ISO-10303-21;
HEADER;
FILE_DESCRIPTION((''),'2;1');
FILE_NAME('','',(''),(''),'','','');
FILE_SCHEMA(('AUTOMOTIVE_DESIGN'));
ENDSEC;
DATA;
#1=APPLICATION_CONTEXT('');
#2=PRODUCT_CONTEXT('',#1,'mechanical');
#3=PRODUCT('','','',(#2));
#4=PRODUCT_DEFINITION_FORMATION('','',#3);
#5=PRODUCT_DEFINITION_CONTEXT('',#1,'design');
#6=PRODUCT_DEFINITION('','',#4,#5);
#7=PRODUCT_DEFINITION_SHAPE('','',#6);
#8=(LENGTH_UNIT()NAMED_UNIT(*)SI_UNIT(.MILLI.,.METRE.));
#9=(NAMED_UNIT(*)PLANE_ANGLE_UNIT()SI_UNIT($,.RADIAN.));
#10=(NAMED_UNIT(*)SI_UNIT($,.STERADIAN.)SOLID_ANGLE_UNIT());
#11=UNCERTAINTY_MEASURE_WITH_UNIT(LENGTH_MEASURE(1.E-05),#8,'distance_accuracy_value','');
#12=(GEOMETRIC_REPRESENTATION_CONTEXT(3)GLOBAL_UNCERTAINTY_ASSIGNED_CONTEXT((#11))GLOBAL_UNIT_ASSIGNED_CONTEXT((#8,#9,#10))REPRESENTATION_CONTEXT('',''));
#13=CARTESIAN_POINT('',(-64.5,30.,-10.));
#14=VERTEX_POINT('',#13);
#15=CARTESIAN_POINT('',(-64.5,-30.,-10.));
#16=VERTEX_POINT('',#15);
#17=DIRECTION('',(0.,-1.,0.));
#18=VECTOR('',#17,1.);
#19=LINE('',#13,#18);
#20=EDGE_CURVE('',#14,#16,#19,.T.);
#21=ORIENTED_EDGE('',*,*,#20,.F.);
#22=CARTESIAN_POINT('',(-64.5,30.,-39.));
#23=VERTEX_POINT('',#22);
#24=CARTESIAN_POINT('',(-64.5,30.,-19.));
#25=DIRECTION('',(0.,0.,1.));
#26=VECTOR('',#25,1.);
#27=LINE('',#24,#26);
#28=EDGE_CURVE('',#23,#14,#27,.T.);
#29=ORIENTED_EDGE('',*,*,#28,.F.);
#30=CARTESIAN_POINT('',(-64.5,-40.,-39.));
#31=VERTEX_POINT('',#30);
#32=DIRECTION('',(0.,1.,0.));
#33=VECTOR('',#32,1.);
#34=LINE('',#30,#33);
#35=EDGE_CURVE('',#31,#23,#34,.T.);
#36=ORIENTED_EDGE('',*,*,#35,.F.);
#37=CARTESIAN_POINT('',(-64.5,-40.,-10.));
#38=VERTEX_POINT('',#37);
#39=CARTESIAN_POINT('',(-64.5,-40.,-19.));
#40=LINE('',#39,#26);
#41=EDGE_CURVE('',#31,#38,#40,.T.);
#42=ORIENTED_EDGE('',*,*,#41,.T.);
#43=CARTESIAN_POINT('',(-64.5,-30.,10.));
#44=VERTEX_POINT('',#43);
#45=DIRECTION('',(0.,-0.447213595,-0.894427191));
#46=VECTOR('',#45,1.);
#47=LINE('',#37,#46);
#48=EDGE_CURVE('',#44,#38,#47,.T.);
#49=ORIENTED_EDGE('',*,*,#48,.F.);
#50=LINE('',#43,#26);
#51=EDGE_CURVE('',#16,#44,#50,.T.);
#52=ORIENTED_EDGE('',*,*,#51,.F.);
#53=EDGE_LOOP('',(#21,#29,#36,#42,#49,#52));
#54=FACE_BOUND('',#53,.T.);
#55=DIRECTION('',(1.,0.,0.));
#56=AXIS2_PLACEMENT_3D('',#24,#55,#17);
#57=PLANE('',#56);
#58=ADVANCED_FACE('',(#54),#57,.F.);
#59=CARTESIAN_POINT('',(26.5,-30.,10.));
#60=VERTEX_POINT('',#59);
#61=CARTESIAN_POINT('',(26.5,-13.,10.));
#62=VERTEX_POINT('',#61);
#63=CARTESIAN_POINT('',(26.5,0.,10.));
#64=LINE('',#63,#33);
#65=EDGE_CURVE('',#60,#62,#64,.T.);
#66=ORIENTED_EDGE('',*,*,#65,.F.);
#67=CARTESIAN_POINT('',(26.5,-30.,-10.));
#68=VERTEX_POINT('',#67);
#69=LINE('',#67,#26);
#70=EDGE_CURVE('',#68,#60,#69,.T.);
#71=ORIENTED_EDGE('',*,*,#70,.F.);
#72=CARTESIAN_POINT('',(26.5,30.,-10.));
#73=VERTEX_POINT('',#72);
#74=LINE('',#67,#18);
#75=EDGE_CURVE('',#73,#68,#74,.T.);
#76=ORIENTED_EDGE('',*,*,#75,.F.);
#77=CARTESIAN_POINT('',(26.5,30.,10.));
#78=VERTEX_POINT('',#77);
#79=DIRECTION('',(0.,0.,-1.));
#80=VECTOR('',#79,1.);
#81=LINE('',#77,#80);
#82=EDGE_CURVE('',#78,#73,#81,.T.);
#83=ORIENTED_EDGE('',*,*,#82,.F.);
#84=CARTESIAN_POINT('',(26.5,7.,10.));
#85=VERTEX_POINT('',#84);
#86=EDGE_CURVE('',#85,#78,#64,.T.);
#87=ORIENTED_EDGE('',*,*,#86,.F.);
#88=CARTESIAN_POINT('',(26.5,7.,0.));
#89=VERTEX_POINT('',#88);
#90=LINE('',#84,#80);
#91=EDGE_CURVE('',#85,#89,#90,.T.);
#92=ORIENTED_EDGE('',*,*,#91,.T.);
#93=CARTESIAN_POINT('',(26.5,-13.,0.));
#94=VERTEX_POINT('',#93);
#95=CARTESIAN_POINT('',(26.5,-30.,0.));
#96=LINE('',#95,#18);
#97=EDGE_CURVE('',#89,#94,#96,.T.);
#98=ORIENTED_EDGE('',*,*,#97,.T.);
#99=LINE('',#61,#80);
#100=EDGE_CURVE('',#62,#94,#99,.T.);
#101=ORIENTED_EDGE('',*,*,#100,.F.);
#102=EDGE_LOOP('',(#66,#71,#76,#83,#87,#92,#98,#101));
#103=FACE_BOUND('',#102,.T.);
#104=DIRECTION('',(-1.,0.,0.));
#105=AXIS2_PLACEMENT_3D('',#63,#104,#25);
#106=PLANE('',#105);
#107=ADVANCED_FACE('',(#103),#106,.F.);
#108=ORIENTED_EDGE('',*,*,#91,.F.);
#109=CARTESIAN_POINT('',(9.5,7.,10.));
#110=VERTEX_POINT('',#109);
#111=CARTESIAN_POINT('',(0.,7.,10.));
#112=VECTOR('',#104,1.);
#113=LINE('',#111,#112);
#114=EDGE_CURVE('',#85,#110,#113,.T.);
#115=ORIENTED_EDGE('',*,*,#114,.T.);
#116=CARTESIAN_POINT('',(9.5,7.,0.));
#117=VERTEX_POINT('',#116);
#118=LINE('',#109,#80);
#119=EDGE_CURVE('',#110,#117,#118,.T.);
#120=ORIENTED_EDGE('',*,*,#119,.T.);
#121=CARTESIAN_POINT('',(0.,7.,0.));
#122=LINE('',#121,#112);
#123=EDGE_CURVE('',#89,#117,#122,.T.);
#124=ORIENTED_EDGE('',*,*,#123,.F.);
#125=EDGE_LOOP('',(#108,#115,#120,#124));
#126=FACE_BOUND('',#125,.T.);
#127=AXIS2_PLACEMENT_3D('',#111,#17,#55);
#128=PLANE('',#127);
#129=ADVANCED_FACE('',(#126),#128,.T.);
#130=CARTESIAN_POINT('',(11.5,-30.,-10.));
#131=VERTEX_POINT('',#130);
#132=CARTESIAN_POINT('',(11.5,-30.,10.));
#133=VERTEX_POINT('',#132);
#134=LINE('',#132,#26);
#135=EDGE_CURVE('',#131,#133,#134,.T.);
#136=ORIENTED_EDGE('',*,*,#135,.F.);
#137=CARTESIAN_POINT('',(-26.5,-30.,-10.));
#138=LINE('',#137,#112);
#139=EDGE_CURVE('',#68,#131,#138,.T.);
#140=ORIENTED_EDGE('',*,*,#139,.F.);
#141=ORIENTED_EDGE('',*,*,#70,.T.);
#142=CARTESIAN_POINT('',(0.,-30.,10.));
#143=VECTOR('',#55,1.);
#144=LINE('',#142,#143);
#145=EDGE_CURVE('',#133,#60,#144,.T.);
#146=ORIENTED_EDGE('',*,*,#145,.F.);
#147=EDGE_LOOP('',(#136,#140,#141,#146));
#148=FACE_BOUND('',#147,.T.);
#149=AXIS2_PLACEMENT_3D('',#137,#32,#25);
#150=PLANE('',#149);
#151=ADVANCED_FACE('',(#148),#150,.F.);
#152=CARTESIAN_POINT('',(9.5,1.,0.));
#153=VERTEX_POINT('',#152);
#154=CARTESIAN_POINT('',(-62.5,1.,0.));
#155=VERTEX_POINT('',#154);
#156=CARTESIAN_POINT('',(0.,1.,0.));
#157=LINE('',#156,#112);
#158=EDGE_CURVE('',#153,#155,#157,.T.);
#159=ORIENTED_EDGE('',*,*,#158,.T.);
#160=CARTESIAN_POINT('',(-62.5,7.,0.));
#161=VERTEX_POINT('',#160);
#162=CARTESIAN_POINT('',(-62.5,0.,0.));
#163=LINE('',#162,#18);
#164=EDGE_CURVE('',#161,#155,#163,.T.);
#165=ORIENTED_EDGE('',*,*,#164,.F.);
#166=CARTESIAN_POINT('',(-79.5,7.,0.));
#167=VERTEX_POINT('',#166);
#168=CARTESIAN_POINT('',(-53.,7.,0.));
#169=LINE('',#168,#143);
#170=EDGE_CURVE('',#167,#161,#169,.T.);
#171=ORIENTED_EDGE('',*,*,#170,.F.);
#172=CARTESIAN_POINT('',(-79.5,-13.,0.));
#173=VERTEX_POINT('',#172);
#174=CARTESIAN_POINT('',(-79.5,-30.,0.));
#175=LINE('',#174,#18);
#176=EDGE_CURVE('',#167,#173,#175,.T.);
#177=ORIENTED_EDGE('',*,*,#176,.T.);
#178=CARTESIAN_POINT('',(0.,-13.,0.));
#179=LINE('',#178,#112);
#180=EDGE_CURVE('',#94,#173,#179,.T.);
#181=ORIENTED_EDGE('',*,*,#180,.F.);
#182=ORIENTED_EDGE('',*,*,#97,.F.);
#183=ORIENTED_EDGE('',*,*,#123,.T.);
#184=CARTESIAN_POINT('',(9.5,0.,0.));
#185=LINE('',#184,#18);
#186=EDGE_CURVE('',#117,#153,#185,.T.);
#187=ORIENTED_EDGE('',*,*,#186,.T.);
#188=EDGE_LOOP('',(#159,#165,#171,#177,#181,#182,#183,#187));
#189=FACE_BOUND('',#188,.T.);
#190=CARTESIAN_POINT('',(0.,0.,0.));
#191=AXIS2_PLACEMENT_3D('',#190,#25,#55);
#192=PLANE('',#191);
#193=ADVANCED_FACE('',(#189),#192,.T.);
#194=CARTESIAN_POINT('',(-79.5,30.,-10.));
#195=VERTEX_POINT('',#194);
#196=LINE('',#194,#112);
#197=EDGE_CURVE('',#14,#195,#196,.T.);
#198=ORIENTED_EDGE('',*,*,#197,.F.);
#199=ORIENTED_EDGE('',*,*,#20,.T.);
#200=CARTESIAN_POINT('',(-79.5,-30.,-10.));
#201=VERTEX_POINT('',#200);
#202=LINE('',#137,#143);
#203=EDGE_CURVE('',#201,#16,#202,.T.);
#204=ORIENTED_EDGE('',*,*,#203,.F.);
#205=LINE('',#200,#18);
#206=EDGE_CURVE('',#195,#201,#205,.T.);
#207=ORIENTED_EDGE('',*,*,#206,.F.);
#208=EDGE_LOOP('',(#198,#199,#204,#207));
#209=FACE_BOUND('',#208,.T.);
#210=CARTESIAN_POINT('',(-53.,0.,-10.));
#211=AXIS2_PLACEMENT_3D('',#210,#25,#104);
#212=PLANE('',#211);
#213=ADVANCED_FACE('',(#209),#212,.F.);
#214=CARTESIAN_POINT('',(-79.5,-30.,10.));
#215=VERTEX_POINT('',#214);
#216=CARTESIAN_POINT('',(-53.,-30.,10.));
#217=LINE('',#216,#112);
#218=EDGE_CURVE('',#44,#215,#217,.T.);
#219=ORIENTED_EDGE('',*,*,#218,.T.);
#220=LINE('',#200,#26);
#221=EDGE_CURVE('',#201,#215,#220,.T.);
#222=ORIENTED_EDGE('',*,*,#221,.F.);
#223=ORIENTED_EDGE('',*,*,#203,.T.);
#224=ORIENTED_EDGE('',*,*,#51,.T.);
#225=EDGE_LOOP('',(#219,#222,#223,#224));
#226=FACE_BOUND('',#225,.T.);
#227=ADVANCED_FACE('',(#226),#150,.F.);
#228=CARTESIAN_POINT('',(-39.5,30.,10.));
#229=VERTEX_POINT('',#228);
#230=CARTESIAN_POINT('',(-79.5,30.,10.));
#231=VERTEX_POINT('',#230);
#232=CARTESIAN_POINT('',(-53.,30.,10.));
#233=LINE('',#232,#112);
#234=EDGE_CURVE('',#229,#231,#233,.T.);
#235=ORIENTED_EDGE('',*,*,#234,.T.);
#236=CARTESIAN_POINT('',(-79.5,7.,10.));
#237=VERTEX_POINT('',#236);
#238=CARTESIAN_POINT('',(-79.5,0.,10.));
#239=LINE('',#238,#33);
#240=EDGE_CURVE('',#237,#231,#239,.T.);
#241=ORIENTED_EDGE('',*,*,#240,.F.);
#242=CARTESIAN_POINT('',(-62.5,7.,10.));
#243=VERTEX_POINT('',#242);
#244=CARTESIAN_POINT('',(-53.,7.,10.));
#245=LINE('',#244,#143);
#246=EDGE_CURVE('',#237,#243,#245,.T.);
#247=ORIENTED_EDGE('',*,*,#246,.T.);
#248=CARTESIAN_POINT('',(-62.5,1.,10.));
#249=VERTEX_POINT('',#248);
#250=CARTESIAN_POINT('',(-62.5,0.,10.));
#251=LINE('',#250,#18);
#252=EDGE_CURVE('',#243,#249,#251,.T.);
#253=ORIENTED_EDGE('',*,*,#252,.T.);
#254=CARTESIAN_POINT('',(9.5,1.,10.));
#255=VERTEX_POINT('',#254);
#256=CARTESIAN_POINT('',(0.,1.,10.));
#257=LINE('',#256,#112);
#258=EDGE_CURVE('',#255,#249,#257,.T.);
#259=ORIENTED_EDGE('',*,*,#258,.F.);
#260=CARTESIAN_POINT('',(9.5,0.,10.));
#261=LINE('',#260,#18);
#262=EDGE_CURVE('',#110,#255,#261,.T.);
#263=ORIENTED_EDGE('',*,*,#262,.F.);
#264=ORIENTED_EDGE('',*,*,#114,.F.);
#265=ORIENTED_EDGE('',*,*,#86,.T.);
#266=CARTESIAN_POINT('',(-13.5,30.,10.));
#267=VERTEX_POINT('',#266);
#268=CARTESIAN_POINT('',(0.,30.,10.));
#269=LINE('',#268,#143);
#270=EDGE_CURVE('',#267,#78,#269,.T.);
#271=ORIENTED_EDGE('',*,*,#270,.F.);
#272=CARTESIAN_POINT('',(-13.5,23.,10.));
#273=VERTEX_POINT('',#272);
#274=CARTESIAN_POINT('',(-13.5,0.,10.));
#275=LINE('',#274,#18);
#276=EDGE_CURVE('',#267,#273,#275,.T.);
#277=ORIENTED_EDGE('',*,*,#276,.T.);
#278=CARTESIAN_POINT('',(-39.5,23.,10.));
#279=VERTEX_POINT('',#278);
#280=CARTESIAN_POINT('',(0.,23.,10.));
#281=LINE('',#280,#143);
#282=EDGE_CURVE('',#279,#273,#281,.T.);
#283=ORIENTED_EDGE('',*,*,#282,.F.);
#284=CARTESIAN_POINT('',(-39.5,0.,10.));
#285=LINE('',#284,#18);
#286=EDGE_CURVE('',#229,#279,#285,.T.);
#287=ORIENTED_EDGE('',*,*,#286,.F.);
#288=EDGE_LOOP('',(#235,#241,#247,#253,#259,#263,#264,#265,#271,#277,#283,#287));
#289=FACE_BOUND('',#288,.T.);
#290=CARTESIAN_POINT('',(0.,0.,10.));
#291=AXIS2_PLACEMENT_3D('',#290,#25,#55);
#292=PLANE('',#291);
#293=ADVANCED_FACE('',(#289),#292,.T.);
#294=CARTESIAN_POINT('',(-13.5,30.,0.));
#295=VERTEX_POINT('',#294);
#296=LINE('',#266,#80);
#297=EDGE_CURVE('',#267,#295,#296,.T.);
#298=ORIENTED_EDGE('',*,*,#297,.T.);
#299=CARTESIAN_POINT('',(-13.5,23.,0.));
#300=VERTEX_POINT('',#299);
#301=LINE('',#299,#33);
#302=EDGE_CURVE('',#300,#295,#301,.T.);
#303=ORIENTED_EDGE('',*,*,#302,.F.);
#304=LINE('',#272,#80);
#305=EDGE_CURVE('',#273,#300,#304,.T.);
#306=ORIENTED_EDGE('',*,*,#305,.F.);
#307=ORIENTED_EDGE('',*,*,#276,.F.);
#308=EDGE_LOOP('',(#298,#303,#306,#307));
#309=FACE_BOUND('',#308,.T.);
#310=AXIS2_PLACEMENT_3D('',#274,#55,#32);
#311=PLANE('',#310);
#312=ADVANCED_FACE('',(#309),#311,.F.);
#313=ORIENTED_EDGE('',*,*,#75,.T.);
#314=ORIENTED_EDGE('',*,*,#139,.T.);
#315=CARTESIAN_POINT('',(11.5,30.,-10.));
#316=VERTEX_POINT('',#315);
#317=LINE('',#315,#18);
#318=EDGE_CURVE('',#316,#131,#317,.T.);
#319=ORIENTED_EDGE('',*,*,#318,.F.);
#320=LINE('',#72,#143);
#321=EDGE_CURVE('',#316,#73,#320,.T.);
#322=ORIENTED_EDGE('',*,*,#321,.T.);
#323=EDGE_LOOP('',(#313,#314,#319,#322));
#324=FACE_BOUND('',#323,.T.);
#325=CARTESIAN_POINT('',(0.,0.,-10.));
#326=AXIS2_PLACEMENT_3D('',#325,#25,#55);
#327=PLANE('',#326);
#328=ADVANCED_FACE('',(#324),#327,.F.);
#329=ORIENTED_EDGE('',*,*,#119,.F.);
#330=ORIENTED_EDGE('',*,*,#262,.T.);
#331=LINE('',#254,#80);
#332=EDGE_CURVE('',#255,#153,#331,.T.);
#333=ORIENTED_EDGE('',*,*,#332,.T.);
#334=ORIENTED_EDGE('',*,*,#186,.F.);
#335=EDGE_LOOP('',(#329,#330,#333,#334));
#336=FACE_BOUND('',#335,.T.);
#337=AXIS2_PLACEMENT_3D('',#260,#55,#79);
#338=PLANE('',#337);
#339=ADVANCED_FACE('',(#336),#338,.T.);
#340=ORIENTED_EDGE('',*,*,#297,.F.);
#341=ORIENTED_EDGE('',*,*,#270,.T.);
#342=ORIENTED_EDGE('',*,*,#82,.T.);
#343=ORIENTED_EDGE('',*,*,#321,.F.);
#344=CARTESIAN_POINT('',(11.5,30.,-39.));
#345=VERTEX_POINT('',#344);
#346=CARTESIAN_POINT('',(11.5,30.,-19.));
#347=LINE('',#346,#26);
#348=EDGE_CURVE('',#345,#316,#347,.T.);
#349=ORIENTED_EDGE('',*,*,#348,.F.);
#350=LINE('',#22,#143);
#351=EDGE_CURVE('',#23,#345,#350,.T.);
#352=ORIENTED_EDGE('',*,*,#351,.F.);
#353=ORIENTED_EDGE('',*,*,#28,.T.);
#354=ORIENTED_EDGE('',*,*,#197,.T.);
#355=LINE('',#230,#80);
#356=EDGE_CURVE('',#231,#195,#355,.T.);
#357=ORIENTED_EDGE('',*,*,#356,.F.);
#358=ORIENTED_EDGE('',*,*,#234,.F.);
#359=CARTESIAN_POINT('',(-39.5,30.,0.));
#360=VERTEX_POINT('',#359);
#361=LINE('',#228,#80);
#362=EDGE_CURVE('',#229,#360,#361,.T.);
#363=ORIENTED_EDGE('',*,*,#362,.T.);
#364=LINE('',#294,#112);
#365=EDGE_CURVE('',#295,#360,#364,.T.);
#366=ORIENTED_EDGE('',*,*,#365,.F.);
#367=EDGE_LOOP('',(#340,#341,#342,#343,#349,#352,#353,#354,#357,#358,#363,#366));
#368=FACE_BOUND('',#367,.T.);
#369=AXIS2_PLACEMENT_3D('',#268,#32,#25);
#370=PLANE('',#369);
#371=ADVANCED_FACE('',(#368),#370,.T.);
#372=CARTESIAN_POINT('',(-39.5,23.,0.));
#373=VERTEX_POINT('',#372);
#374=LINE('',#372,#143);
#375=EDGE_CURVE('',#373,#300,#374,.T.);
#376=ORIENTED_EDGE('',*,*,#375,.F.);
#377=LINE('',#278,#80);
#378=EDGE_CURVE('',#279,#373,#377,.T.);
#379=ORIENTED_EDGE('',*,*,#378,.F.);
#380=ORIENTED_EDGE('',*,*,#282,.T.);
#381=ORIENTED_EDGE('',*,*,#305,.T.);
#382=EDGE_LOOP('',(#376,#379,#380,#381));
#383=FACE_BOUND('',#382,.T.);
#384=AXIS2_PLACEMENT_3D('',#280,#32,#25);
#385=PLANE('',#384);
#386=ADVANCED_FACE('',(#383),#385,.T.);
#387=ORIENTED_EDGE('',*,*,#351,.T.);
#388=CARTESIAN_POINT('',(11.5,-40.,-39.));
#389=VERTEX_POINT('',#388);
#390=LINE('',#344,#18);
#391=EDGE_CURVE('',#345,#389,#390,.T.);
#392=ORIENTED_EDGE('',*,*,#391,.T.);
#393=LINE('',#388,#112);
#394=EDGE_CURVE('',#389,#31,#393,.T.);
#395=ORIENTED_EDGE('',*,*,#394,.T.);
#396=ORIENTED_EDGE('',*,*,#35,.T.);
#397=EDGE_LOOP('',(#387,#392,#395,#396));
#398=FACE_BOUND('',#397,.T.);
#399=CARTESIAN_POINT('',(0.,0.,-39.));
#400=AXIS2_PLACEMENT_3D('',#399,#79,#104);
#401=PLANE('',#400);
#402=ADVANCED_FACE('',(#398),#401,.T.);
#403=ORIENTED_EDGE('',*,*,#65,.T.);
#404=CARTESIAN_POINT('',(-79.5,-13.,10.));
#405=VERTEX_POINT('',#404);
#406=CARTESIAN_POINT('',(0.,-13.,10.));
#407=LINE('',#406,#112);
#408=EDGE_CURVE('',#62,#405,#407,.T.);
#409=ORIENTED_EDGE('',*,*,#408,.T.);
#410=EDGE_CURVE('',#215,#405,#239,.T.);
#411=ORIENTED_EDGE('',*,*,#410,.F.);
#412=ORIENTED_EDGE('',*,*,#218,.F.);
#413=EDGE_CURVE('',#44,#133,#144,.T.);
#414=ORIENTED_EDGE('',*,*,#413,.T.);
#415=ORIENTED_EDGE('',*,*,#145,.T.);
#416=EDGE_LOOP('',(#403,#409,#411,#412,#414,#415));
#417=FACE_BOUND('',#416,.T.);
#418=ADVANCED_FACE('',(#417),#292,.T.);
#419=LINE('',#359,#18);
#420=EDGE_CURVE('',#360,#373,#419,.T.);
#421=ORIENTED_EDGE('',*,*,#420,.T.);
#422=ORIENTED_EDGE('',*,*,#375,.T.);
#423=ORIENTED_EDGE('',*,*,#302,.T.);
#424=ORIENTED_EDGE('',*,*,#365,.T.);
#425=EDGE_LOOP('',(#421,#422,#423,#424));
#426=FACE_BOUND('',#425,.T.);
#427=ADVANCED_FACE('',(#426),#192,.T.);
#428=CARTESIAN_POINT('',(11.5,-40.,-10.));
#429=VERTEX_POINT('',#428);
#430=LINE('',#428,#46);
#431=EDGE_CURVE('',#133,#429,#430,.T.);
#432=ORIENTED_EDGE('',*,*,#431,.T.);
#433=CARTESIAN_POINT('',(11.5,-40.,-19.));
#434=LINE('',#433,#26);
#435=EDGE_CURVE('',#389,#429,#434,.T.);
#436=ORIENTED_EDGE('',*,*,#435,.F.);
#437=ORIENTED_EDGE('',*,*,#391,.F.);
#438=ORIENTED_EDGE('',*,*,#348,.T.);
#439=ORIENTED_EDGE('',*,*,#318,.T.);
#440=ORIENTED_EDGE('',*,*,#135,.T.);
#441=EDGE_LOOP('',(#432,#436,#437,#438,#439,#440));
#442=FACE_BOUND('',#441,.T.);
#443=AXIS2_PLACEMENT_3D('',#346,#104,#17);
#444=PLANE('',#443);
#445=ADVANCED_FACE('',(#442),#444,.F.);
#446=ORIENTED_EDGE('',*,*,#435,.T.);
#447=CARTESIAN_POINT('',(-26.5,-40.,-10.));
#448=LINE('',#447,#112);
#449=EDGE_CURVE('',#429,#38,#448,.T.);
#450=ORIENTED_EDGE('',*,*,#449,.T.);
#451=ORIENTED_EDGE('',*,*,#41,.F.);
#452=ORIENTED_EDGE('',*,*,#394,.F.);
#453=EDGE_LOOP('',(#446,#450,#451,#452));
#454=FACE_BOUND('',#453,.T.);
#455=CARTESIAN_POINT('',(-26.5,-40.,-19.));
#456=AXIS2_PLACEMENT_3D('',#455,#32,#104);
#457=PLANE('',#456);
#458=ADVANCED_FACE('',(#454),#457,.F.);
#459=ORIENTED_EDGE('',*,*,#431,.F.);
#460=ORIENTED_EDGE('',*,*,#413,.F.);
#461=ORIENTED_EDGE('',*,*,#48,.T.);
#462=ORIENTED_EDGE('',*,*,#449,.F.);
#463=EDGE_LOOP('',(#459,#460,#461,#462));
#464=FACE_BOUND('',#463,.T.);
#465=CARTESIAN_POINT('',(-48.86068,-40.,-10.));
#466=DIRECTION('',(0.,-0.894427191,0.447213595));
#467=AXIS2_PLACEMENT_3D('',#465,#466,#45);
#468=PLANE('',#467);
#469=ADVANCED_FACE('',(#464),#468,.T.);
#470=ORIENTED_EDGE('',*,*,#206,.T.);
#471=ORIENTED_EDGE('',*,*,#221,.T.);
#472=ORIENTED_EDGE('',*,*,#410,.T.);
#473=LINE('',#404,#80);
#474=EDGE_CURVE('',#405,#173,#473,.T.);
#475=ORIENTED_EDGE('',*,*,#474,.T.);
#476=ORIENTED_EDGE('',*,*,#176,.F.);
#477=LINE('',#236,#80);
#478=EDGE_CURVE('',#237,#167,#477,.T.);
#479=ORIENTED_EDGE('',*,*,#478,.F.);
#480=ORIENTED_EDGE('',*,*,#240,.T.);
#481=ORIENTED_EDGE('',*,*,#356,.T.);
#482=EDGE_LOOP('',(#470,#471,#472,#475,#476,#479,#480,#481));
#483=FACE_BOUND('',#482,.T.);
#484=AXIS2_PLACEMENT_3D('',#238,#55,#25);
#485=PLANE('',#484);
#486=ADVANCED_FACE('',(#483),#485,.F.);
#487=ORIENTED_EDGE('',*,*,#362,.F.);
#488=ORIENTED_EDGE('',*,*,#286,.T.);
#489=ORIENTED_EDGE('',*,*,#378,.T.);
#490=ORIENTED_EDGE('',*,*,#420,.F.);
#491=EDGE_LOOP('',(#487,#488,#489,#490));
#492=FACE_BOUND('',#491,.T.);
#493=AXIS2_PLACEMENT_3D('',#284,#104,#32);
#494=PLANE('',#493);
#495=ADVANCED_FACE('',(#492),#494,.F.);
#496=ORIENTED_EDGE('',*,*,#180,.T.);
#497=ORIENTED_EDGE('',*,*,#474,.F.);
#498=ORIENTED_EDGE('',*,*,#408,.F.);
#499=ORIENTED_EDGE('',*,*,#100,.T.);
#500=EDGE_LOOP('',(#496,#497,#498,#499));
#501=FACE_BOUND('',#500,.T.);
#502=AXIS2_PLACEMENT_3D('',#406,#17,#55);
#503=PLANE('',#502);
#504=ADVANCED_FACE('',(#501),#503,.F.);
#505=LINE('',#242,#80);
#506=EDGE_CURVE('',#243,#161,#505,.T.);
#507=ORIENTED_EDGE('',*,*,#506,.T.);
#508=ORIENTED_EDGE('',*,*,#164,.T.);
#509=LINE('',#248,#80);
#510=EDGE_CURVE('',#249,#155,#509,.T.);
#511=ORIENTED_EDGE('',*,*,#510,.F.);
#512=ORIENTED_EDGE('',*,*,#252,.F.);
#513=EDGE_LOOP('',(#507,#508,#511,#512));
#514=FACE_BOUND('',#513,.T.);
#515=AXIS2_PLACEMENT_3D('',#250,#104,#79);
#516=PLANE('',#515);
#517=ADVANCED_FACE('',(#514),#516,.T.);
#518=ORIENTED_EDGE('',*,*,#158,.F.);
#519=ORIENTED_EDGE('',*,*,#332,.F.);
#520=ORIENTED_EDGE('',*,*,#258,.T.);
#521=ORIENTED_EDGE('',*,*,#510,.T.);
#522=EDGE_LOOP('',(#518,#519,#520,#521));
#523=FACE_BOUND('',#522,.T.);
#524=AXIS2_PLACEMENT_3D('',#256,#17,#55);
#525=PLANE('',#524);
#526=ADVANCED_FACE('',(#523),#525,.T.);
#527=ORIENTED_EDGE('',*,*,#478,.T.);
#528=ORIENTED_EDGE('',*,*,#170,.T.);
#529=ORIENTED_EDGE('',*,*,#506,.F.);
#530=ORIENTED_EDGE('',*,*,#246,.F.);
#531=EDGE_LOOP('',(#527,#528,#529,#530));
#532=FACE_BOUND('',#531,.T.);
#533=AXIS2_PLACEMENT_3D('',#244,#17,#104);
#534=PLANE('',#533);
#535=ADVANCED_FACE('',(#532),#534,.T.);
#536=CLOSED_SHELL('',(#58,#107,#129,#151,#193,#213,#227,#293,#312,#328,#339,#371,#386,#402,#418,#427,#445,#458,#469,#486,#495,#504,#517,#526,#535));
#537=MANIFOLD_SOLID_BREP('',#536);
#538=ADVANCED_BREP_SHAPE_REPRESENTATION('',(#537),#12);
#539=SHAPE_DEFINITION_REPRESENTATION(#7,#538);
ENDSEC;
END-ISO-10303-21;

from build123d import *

# Parameters (mm, degrees)
EXTRUDE_1_DEPTH   = 10
EXTRUDE_1_2_DEPTH = 10
EXTRUDE_2_DEPTH   = 10
SKETCH_3_W        = 38
SKETCH_3_H        = 70
EXTRUDE_3_DEPTH   = 9
EXTRUDE_4_DEPTH   = 38
SKETCH_5_W        = 26
SKETCH_5_H        = 7
EXTRUDE_5_DEPTH   = 10
SKETCH_6_W        = 76
SKETCH_6_H        = 70
EXTRUDE_6_DEPTH   = 20


with BuildPart() as part:
    # Эскиз1 → Бобышка-Вытянуть1 (new body)
    with BuildSketch(Plane.XY):
        Polygon((-26.5, 23), (-26.5, 1), (9.5, 1), (9.5, 7), (26.5, 7), (26.5, 30), (-13.5, 30), (-13.5, 23), align=None)
    extrude(amount=EXTRUDE_1_DEPTH)



with BuildPart() as body_2:
    # Эскиз1 → Extrude 1 2 (new body)
    with BuildSketch(Plane.XY):
        Polygon((-26.5, -13), (-26.5, -30), (26.5, -30), (26.5, -13), (9.5, -13), align=None)
    extrude(amount=EXTRUDE_1_2_DEPTH)


with BuildPart() as part_1:
    add(part.part)

    add(body_2.part)  # Бобышка-Вытянуть2 merges body 2
    # Эскиз2 → Бобышка-Вытянуть2 (add)
    with BuildSketch(Plane(origin=(0, 0, 0), x_dir=(-1, 0, 0), z_dir=(0, 0, -1))):
        Polygon((-26.5, -30), (-26.5, 30), (13.5, 30), (13.5, 23), (26.5, 23), (26.5, -30), align=None)
    extrude(amount=EXTRUDE_2_DEPTH)

    # Эскиз3 → Бобышка-Вытянуть3 (add)
    with BuildSketch(Plane(origin=(0, 0, -10), x_dir=(-1, 0, 0), z_dir=(0, 0, -1))):
        with Locations((7.5, -5)):
            Rectangle(SKETCH_3_W, SKETCH_3_H)
    extrude(amount=EXTRUDE_3_DEPTH)

    # Эскиз4 → Бобышка-Вытянуть4 (add)
    with BuildSketch(Plane(origin=(11.5, 0, 0), x_dir=(0, 0, -1), z_dir=(1, 0, 0))):
        Polygon((10, -40), (-10, -30), (10, -30), align=None)
    extrude(amount=-EXTRUDE_4_DEPTH)

    # Зеркальное отражение1: part across plane


with BuildPart() as part_2:
    add(part_1.part)
    add(part_1.part.mirror(Plane(origin=(-26.5, 0, 10), x_dir=(0, 0, 1), z_dir=(-1, 0, 0))))

    # Эскиз5 → Бобышка-Вытянуть5 (add)
    with BuildSketch(Plane.XY.offset(-10)):
        with Locations((-26.5, 26.5)):
            Rectangle(SKETCH_5_W, SKETCH_5_H)
    extrude(amount=EXTRUDE_5_DEPTH)

    # Эскиз6 → Бобышка-Вытянуть6 (add)
    with BuildSketch(Plane(origin=(0, 0, -19), x_dir=(-1, 0, 0), z_dir=(0, 0, -1))):
        with Locations((26.5, -5)):
            Rectangle(SKETCH_6_W, SKETCH_6_H)
    extrude(amount=EXTRUDE_6_DEPTH)


solid = part_2.part
